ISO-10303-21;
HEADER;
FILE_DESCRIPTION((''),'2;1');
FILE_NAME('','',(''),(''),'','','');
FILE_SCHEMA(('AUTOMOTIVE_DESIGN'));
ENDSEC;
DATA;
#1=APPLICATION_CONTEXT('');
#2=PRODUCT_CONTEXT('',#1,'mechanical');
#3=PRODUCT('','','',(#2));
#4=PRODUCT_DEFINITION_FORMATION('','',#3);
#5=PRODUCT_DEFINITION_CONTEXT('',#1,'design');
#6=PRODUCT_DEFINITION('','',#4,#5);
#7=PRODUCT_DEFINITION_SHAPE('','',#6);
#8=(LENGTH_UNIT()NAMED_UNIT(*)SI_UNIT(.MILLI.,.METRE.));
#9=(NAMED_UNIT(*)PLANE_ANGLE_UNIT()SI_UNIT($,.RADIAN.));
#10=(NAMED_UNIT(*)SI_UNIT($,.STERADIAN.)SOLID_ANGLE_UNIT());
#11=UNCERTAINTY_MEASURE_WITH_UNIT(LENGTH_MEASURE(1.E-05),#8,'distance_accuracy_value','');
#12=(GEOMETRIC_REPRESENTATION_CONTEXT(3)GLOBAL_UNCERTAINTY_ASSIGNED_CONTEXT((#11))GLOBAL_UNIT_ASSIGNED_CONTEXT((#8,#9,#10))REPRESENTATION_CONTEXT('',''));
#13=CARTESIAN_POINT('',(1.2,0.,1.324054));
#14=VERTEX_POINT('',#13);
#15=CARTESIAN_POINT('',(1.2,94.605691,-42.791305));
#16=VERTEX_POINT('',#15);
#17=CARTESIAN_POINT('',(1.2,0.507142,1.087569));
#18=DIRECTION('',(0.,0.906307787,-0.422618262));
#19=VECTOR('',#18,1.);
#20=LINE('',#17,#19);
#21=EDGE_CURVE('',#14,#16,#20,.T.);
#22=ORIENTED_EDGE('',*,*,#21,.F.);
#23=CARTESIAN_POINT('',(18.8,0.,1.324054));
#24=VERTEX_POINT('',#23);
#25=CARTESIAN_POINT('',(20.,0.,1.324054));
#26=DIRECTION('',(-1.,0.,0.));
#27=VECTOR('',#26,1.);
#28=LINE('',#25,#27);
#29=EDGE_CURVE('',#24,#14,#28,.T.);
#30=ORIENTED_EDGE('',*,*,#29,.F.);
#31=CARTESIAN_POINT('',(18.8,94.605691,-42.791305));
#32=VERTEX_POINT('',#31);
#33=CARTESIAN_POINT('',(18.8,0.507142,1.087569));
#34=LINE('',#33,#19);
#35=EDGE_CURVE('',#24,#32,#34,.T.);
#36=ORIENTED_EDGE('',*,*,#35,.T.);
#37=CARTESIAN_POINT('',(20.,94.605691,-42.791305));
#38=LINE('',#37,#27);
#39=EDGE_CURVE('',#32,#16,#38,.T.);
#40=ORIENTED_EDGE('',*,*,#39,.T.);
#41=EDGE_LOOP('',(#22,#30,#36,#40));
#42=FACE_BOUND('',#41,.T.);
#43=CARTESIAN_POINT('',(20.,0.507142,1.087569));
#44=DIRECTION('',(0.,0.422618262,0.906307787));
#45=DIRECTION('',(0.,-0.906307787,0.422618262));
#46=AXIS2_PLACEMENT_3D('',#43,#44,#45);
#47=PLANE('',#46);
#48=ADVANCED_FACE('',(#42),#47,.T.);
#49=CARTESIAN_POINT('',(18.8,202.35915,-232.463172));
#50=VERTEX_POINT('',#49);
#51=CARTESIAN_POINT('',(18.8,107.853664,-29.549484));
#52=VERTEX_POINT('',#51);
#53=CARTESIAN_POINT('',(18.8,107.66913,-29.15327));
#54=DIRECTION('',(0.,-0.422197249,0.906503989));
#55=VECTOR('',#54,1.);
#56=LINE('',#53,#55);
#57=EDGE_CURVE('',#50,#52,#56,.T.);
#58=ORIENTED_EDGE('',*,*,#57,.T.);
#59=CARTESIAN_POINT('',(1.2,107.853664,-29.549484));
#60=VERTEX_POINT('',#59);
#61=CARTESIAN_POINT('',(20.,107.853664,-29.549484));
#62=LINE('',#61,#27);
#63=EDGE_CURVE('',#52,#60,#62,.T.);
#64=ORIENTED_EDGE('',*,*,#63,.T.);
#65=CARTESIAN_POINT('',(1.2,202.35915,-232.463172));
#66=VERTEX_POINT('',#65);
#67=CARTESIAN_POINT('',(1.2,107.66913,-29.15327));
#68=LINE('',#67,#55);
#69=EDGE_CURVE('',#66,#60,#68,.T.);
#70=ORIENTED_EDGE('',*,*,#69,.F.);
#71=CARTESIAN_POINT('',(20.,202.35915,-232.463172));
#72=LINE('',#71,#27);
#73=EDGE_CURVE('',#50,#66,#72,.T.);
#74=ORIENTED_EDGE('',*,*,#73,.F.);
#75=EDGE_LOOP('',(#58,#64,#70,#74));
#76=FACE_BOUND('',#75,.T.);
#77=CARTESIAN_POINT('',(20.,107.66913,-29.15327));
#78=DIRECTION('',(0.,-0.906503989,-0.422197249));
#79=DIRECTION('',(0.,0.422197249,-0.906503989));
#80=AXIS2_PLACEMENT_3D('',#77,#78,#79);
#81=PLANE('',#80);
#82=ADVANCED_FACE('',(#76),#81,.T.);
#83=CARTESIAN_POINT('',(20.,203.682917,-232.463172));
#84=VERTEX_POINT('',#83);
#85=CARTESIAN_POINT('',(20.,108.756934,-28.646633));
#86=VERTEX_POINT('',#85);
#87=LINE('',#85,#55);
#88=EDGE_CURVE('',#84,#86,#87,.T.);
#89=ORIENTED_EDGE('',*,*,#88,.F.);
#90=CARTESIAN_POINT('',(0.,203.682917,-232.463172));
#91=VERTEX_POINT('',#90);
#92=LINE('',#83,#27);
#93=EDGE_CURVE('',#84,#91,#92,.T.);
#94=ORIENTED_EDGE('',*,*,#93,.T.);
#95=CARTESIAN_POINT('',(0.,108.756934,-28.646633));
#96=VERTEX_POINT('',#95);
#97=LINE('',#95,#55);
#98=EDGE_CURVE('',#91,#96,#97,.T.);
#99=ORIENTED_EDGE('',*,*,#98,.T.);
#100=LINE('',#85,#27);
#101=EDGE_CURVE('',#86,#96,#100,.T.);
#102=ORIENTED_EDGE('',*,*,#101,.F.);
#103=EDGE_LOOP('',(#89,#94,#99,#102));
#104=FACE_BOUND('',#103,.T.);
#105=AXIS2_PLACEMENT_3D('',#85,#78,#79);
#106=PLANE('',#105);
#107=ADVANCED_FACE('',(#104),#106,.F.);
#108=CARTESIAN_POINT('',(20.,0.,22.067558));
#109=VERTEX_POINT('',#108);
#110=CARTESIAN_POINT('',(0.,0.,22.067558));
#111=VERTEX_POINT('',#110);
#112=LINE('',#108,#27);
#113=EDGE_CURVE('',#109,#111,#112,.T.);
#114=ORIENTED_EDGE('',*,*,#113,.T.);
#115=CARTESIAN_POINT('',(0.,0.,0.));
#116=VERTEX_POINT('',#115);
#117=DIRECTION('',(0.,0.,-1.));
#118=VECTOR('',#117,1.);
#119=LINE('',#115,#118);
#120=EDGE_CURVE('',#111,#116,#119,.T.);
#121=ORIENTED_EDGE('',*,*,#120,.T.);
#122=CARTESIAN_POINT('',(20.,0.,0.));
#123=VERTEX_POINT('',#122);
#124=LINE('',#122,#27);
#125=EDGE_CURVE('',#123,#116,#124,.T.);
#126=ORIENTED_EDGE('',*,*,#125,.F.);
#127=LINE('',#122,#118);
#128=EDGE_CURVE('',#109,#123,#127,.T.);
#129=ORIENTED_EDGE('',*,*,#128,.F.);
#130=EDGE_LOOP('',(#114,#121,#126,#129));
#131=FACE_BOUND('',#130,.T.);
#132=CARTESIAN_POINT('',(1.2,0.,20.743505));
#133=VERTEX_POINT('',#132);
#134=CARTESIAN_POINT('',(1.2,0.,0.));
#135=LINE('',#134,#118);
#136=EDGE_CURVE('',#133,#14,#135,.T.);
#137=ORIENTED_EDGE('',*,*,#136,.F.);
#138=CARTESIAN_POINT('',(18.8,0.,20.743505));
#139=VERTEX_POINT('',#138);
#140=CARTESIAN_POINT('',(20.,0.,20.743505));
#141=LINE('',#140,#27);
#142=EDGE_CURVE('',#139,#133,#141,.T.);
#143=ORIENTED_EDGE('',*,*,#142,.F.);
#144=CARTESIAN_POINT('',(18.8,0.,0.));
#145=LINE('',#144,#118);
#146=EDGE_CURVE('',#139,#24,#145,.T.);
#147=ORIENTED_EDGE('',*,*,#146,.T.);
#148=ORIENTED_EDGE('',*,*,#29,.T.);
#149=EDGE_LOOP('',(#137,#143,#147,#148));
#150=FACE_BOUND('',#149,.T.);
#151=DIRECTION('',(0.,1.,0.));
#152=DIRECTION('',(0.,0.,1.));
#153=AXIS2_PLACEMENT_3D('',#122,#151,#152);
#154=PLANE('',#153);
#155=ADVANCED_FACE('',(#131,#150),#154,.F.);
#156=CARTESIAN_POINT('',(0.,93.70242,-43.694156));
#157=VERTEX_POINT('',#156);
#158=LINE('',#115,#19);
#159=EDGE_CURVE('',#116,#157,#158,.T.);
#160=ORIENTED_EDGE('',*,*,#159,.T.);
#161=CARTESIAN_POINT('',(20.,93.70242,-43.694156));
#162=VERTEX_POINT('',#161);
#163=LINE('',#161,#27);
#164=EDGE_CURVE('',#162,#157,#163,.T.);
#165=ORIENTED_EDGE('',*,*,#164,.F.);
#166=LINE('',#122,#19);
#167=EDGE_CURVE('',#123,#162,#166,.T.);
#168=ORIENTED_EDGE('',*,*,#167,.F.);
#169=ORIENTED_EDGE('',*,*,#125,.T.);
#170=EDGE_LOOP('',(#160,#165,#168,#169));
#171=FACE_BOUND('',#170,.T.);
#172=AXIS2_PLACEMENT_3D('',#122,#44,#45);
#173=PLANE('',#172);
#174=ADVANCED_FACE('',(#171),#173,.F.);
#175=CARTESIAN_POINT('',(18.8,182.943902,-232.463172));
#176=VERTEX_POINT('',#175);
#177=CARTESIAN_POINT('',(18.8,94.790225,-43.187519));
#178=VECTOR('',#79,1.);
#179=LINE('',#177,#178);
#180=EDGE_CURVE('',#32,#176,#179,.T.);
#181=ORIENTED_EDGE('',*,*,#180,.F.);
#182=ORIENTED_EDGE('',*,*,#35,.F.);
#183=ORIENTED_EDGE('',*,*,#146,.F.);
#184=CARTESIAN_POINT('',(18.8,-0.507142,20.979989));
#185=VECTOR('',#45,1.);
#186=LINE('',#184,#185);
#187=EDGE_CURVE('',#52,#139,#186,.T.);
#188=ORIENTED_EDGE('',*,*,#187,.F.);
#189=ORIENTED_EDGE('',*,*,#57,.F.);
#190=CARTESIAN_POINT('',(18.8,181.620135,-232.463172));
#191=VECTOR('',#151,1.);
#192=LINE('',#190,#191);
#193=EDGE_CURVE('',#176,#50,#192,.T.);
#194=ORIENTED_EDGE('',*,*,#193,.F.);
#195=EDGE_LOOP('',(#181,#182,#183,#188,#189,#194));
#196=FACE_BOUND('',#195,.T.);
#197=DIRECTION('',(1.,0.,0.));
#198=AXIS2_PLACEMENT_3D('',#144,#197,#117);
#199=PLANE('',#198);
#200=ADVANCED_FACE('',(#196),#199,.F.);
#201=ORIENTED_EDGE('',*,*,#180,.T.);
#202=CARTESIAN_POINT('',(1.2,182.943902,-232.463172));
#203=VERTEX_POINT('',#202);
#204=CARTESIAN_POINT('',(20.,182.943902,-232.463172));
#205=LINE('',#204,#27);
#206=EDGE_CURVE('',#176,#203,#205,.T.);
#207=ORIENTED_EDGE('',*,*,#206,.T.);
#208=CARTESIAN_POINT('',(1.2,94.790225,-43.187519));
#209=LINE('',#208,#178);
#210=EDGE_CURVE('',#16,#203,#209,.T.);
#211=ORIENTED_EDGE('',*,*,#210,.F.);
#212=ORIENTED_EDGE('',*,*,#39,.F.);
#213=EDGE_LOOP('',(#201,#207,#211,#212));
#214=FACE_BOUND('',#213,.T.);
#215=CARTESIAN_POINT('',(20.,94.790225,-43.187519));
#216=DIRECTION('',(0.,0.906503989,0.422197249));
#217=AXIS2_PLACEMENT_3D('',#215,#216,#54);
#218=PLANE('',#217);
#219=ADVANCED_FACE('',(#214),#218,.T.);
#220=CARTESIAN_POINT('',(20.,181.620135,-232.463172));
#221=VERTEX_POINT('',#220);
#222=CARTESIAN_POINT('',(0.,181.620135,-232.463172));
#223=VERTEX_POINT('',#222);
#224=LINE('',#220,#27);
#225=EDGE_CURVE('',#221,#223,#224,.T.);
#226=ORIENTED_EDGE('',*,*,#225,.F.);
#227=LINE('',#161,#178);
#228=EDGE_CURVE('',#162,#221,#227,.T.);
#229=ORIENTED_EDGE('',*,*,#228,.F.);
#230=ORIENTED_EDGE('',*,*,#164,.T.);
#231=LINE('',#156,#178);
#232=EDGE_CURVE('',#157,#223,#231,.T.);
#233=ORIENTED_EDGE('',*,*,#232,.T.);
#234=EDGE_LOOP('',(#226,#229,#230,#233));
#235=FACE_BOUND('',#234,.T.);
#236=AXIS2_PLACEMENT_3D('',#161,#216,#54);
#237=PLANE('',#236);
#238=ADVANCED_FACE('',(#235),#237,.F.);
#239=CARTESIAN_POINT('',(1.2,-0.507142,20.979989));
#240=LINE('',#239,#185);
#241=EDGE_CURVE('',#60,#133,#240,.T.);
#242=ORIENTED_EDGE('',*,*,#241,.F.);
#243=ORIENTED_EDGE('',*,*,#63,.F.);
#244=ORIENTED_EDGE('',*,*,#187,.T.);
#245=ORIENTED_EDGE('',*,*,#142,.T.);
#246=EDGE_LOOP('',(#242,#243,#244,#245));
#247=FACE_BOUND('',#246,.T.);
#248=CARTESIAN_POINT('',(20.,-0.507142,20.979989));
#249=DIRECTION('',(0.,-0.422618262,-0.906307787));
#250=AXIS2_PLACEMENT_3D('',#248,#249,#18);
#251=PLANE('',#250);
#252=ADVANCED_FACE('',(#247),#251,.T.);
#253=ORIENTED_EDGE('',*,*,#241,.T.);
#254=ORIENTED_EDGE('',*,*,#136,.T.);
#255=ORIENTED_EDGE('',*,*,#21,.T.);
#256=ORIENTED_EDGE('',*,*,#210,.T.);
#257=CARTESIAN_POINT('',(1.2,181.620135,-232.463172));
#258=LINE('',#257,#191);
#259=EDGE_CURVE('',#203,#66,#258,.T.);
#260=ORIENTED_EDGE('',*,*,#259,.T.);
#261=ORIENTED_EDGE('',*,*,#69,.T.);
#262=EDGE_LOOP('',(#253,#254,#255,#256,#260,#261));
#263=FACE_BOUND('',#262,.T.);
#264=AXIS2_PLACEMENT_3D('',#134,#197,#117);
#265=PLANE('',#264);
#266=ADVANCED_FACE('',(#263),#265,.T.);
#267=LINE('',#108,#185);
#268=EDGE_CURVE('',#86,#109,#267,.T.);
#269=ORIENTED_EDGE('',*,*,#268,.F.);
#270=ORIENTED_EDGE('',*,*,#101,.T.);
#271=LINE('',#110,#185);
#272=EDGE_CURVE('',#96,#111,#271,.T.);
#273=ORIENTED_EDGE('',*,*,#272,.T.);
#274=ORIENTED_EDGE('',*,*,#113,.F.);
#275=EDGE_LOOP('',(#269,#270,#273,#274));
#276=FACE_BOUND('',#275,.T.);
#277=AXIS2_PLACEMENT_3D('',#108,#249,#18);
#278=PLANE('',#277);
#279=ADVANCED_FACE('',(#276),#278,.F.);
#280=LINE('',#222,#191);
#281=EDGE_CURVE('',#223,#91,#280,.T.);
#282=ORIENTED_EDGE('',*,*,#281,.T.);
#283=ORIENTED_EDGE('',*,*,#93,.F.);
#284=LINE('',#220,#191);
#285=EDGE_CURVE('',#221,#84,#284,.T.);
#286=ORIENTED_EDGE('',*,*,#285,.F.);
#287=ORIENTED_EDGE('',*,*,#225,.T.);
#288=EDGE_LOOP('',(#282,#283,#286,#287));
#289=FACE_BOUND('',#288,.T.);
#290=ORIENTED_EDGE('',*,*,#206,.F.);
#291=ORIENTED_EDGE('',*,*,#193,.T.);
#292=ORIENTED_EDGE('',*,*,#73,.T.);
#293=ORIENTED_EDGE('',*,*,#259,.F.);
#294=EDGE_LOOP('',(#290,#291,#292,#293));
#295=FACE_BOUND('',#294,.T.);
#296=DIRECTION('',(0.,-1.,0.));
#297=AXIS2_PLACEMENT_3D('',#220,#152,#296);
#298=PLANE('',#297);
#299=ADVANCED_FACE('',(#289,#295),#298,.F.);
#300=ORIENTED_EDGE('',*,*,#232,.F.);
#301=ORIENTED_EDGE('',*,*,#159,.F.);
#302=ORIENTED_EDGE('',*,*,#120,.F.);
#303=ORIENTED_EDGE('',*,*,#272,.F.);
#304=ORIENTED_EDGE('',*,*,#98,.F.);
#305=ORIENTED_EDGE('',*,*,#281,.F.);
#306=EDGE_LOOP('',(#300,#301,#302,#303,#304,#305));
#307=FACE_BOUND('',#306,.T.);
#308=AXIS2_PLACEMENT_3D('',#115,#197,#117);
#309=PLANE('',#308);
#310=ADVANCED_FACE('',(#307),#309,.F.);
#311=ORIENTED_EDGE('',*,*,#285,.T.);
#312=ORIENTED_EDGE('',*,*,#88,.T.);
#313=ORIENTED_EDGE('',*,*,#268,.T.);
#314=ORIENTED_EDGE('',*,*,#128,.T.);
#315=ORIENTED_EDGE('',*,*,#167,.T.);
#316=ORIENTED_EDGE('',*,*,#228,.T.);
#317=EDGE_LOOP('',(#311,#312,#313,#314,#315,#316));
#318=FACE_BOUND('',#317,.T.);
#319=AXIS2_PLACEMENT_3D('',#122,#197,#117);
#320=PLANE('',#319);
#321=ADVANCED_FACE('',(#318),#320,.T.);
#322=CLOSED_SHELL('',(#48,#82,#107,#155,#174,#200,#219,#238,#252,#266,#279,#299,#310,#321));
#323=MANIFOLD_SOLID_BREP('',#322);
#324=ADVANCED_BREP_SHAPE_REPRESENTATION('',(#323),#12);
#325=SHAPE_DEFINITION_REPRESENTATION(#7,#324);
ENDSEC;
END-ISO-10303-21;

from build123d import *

# Parameters (mm, degrees)
BOSS_EXTRUDE1_DEPTH = 20
SHELL1_T            = -1.2


with BuildPart() as part:
    # Sketch2 → Boss-Extrude1 (new body)
    with BuildSketch(Plane(origin=(0, 0, 0), x_dir=(0, 0, -1), z_dir=(1, 0, 0))):
        Polygon((0, 0), (-22.067558379, 0), (28.64663303, 108.756934444), (232.463172314, 203.682917329), (232.463172314, 181.620135221), (43.694156178, 93.70242031), align=None)
    extrude(amount=BOSS_EXTRUDE1_DEPTH)

    # Shell1
    shell1_openings = [part.faces().sort_by_distance(p)[0] for p in [
        (10, 0, 11.03377919),
        (10, 192.651526275, -232.463172314),
    ]]
    offset(amount=SHELL1_T, openings=shell1_openings, kind=Kind.INTERSECTION)


solid = part.part
